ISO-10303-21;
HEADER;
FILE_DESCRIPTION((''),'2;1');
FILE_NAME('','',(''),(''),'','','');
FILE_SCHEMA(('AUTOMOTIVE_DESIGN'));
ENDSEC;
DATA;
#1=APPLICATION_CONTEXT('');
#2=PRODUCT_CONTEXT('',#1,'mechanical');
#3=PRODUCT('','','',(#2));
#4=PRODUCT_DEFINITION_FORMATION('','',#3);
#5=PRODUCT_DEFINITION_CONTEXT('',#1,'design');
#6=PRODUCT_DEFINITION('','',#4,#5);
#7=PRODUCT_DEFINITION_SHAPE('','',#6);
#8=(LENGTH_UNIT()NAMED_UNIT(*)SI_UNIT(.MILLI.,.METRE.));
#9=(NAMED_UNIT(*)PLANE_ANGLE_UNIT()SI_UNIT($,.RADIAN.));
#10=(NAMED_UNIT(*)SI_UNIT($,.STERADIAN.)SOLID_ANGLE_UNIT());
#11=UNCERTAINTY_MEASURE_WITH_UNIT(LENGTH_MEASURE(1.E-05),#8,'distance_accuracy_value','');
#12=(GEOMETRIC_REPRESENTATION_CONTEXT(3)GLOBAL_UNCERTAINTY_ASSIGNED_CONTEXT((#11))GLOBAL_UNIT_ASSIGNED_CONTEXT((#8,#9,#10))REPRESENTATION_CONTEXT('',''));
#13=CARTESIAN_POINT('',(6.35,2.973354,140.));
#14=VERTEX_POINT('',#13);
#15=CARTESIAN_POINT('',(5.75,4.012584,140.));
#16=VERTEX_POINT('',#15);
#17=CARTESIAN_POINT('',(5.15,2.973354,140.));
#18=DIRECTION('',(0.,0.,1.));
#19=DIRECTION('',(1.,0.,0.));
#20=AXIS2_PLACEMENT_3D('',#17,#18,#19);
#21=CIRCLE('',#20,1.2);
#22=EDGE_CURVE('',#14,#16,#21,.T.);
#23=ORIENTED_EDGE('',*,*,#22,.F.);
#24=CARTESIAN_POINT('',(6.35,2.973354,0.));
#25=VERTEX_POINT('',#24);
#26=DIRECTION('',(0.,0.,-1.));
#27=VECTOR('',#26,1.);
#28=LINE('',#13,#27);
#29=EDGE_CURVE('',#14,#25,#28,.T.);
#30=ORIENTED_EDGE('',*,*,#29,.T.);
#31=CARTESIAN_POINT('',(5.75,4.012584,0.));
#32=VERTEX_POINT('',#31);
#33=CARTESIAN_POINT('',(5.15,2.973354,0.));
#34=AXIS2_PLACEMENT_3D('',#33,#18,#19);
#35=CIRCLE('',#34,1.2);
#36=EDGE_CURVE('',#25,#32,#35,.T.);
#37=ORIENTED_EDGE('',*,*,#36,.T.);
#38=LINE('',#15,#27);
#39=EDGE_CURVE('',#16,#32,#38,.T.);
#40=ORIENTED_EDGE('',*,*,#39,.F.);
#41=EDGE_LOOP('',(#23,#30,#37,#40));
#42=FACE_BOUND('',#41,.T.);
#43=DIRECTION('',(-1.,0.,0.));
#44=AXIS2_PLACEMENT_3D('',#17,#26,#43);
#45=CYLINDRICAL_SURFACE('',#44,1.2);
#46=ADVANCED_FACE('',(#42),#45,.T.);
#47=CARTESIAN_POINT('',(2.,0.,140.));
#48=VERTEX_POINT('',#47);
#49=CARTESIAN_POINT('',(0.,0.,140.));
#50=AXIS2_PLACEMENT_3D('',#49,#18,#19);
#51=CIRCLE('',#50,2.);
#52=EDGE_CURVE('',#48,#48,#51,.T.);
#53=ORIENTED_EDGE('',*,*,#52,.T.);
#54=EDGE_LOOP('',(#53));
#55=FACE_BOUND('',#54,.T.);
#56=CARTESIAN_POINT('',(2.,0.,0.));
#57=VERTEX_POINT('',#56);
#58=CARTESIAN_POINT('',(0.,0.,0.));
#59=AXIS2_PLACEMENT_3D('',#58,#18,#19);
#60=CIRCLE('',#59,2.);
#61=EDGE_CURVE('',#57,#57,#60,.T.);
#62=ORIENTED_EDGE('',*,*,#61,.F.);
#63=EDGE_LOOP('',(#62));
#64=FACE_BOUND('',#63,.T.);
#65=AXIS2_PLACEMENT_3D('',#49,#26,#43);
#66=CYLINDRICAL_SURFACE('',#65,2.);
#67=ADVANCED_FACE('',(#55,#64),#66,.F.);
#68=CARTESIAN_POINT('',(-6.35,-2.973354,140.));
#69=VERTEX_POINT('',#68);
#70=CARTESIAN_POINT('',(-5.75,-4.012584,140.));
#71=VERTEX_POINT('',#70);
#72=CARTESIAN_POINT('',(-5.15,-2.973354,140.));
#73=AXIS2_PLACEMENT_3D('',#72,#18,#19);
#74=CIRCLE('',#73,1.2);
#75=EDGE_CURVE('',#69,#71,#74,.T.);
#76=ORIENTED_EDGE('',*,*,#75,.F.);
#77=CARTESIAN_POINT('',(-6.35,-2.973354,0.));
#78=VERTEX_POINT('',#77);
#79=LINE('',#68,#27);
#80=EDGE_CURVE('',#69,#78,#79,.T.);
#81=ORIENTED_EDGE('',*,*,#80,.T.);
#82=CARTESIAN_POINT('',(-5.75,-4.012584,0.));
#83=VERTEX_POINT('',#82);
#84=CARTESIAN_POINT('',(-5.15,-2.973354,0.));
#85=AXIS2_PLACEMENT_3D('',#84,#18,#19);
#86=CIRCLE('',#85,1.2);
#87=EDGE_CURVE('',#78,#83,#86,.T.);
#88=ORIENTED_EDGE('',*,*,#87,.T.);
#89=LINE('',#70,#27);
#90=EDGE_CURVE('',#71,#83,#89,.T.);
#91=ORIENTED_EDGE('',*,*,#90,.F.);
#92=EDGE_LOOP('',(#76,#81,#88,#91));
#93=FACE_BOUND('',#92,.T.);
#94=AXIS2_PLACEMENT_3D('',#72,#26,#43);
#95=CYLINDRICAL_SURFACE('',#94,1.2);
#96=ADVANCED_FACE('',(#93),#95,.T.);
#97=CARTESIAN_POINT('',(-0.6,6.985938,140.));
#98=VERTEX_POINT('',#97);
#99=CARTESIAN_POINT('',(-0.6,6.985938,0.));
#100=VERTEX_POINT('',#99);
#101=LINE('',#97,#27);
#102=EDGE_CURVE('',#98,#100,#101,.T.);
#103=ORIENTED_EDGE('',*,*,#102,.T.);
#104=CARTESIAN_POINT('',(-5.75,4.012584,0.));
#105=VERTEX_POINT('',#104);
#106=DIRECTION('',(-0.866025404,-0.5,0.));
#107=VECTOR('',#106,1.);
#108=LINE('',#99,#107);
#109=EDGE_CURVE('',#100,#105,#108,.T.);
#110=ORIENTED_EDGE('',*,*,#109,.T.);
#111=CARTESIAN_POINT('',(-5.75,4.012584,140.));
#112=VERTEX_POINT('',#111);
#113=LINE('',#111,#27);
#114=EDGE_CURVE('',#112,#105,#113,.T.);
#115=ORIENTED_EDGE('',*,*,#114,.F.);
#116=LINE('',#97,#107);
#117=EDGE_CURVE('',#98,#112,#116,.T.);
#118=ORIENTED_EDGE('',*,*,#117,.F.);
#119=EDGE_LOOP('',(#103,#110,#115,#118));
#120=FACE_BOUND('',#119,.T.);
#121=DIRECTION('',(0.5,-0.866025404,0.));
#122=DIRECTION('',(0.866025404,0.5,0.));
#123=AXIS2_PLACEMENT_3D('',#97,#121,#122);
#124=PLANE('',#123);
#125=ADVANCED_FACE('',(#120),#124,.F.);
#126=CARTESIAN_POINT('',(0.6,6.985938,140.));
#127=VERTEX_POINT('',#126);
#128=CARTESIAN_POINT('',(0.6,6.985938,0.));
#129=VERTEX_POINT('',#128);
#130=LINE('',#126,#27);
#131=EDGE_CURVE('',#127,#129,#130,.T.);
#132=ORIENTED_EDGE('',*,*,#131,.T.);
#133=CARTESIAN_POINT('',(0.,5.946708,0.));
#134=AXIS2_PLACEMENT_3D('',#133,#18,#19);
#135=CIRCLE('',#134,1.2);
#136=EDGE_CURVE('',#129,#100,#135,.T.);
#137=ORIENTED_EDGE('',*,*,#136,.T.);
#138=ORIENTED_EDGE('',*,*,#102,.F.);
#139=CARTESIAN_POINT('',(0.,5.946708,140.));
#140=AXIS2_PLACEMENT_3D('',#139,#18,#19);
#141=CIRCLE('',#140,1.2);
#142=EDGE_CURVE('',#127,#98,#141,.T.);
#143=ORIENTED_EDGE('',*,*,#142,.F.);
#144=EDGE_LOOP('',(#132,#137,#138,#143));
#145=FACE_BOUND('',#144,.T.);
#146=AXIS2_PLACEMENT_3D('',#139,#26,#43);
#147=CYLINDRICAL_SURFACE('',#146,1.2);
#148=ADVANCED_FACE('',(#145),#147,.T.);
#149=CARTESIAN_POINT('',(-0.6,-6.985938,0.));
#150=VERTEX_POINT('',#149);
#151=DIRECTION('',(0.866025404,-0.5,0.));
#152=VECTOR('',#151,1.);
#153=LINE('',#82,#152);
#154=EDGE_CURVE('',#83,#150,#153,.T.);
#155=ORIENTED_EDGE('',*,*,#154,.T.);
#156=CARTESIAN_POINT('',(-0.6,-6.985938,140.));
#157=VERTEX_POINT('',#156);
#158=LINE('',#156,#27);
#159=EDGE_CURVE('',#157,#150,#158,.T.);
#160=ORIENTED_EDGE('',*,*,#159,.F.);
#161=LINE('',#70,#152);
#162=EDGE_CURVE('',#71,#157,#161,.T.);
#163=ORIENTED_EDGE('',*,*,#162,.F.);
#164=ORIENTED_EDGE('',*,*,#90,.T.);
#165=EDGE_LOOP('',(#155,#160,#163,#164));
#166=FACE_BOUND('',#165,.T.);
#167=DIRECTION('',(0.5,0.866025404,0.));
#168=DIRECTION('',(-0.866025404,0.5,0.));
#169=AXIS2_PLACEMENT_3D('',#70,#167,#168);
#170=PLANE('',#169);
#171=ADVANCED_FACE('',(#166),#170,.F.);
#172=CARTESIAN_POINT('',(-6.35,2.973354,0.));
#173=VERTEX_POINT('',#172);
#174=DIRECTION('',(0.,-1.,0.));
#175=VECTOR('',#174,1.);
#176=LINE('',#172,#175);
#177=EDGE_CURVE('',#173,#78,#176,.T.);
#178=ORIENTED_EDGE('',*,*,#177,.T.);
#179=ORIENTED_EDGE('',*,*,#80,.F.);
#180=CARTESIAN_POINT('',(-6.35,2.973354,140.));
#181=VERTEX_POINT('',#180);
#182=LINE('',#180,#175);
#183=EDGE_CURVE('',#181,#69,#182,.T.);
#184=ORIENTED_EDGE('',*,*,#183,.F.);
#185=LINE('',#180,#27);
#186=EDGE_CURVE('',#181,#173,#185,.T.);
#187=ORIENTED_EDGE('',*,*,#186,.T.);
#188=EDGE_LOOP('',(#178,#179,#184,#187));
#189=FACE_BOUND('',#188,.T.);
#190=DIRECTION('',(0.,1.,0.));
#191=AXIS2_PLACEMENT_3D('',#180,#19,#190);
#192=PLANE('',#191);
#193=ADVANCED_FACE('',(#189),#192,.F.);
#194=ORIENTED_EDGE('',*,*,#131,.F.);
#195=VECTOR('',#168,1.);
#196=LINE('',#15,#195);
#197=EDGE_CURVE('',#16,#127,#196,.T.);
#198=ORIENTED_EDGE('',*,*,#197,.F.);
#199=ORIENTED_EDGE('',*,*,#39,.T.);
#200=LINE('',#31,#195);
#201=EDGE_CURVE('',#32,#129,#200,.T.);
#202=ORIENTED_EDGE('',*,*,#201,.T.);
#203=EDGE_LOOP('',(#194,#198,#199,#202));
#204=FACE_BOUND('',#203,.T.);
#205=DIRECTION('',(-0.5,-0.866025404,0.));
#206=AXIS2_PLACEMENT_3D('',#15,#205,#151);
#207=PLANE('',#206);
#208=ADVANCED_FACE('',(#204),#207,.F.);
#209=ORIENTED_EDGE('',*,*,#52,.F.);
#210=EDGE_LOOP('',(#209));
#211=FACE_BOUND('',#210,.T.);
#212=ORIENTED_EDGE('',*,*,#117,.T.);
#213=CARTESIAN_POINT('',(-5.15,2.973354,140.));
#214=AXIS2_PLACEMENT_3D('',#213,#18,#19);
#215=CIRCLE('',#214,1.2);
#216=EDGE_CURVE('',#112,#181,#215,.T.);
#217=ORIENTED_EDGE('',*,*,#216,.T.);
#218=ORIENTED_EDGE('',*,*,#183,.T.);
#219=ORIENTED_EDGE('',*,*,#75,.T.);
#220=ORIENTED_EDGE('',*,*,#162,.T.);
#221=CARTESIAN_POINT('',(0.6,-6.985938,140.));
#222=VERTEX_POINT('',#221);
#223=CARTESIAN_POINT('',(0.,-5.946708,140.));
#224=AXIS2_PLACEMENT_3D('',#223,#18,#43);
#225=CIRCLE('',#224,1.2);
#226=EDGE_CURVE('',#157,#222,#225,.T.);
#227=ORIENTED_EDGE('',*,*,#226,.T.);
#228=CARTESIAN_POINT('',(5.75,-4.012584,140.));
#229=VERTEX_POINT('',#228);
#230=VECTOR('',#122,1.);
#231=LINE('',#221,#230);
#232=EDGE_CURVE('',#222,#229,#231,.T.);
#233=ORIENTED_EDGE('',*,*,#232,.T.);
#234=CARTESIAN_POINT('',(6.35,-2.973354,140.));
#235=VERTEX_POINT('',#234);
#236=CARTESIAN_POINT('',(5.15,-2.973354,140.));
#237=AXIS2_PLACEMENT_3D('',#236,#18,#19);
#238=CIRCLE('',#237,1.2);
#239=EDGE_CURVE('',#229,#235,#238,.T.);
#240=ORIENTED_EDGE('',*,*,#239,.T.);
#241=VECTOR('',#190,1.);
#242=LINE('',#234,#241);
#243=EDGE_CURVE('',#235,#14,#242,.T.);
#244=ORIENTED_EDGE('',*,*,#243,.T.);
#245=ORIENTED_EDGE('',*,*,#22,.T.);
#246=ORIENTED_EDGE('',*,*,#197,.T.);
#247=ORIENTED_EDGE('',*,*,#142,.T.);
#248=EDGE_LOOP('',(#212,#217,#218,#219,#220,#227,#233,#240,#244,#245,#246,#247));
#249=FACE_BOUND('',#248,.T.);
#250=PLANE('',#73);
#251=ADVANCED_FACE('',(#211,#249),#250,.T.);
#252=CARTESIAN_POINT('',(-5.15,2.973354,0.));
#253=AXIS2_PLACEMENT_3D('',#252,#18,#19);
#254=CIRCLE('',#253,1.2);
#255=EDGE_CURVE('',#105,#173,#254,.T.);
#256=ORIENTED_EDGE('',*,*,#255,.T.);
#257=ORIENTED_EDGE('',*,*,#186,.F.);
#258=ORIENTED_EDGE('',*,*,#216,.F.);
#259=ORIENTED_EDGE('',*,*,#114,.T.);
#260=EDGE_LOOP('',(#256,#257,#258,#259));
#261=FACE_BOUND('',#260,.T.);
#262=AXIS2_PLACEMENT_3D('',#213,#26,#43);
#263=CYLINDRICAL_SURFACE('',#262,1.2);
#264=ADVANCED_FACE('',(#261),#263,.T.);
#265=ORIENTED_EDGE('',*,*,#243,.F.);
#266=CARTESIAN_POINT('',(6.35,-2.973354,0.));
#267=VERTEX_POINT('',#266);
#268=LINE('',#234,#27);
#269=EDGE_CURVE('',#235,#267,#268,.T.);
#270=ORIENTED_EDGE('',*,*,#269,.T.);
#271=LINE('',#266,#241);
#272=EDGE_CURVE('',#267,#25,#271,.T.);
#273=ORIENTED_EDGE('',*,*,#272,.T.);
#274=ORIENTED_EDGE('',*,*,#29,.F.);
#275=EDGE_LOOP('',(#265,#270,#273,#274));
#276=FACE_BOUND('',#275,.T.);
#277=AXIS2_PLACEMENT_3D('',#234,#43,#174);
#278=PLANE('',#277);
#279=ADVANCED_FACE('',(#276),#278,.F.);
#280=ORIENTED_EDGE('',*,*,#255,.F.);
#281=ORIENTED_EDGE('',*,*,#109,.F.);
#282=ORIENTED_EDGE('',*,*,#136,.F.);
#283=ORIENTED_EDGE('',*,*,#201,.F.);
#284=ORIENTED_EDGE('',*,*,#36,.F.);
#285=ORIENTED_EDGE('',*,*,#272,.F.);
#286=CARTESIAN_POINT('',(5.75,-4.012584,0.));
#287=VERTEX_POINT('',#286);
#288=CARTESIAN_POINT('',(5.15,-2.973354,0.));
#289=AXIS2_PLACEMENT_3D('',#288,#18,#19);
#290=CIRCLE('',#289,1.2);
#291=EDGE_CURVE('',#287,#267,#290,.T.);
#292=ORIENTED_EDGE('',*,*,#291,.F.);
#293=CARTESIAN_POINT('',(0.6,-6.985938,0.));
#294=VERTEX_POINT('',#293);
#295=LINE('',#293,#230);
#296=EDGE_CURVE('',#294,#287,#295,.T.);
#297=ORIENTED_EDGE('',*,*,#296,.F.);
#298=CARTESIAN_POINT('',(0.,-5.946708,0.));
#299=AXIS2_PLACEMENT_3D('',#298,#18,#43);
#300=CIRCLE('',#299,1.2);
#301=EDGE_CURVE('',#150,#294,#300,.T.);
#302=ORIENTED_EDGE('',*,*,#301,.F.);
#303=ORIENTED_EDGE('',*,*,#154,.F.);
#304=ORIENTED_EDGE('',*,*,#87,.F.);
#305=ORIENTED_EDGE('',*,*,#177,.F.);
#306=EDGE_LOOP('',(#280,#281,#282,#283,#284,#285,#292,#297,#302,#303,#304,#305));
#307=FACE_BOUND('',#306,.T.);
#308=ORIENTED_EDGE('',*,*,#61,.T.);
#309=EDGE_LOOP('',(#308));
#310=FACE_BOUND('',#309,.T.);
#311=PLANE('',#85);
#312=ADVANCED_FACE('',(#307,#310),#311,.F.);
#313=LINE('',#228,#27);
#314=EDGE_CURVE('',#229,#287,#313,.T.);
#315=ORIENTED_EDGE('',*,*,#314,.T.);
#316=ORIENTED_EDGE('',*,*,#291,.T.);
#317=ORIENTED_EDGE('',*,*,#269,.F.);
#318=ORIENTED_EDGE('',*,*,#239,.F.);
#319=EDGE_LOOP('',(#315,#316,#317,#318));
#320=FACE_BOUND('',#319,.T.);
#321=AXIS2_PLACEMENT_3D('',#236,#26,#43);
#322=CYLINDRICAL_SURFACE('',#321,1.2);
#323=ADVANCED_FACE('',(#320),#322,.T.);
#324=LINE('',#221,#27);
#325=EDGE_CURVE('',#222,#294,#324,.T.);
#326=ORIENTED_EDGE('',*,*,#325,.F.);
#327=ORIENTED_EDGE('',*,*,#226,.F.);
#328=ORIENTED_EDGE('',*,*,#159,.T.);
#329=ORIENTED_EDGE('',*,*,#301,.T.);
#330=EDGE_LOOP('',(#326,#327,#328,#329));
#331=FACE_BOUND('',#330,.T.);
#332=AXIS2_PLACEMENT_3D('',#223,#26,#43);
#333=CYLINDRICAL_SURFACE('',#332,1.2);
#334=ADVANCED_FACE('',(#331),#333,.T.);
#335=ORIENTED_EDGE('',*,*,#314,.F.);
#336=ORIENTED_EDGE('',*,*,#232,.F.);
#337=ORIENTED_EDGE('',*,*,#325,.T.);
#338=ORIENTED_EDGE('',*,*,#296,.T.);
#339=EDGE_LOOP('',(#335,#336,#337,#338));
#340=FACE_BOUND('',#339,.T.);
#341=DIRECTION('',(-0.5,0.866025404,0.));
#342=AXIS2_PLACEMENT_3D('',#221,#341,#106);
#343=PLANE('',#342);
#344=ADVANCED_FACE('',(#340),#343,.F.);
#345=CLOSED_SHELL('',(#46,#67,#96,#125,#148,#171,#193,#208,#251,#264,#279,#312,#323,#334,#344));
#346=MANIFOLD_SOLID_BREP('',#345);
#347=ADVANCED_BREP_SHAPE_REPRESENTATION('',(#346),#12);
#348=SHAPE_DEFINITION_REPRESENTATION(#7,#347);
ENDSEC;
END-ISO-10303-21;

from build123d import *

# Parameters (mm, degrees)
SKETCH2_R           = 2
BOSS_EXTRUDE1_DEPTH = 140


with BuildPart() as part:
    # Sketch2 → Boss-Extrude1 (new body)
    with BuildSketch(Plane.XY):
        with BuildLine():
            Line((0.6, -6.985938257), (5.75, -4.012584371))
            ThreePointArc((5.75, -4.012584371), (6.189230485, -3.573353886), (6.35, -2.973353886))
            Line((6.35, -2.973353886), (6.35, 2.973353886))
            ThreePointArc((6.35, 2.973353886), (6.189230485, 3.573353886), (5.75, 4.012584371))
            Line((5.75, 4.012584371), (0.6, 6.985938257))
            ThreePointArc((0.6, 6.985938257), (0, 7.146707773), (-0.6, 6.985938257))
            Line((-0.6, 6.985938257), (-5.75, 4.012584371))
            ThreePointArc((-5.75, 4.012584371), (-6.189230485, 3.573353886), (-6.35, 2.973353886))
            Line((-6.35, 2.973353886), (-6.35, -2.973353886))
            ThreePointArc((-6.35, -2.973353886), (-6.189230485, -3.573353886), (-5.75, -4.012584371))
            Line((-5.75, -4.012584371), (-0.6, -6.985938257))
            ThreePointArc((-0.6, -6.985938257), (0, -7.146707773), (0.6, -6.985938257))
        make_face()
        Circle(SKETCH2_R, mode=Mode.SUBTRACT)
    extrude(amount=BOSS_EXTRUDE1_DEPTH)


solid = part.part
